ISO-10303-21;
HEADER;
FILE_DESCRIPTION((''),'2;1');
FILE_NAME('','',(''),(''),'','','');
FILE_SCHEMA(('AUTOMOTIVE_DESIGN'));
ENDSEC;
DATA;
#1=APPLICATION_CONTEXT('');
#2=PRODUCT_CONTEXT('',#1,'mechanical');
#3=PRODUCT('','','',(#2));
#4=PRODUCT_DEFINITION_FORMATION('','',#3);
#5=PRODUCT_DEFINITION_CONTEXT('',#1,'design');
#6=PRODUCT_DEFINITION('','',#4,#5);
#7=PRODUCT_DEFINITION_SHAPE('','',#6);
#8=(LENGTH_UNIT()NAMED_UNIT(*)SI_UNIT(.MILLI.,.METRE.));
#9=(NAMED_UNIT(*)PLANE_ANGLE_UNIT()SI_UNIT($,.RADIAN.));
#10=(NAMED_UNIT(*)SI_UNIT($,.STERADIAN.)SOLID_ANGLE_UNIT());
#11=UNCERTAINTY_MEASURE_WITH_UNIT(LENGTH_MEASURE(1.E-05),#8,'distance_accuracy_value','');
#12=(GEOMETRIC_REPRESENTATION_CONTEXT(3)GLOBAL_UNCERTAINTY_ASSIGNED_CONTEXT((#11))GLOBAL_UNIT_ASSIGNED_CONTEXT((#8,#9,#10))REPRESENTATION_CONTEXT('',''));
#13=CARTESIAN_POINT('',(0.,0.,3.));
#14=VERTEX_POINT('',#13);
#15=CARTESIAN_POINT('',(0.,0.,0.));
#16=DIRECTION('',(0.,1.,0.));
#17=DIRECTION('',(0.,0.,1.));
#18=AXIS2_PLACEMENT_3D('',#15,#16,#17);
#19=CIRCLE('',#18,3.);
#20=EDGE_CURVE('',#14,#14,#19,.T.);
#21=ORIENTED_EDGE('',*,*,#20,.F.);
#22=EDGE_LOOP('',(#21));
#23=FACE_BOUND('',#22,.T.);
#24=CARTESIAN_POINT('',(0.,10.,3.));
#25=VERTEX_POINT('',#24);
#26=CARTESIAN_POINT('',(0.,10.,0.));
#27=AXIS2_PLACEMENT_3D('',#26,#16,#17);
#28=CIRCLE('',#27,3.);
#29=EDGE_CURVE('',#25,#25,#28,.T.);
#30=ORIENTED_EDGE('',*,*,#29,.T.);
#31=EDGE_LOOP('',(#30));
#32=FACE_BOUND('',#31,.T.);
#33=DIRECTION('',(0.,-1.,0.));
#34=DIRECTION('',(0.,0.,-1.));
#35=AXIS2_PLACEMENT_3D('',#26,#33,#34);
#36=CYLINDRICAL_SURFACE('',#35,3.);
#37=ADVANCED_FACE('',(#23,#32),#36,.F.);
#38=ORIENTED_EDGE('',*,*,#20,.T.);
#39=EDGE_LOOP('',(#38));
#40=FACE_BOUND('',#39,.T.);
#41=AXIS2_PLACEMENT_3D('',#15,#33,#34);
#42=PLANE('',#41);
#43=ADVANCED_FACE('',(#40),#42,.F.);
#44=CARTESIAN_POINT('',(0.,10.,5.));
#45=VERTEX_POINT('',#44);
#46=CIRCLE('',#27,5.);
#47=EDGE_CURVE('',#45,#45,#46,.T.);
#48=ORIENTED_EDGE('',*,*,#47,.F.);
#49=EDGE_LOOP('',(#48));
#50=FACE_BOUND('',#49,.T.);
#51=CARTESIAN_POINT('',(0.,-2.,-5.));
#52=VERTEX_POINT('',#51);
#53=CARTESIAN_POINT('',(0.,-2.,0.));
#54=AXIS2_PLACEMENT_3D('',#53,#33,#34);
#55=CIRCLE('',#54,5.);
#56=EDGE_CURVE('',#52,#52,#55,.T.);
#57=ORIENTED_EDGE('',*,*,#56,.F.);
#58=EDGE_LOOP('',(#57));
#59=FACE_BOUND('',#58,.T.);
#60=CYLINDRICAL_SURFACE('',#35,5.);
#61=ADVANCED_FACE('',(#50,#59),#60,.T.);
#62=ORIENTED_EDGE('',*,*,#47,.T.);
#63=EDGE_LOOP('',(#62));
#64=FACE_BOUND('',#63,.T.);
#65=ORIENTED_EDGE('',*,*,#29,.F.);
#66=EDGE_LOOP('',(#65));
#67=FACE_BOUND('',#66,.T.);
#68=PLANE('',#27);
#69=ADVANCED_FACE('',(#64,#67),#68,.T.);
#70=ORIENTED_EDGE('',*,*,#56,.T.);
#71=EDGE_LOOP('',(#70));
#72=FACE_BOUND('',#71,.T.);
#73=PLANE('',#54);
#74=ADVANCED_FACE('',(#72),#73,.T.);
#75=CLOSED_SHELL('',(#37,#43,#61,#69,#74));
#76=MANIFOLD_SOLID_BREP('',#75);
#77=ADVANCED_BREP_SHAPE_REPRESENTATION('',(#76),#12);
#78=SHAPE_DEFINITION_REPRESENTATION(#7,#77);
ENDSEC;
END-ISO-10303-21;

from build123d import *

# Parameters (mm, degrees)
SKETCH_4_R      = 5
SKETCH_4_R_2    = 3
EXTRUDE_3_DEPTH = 10
EXTRUDE_START   = 2
SKETCH_5_R      = 5
EXTRUDE_5_DEPTH = 2


with BuildPart() as part:
    # 草图4 → 凸台-拉伸3 (new body)
    with BuildSketch(Plane(origin=(0, 0, 0), x_dir=(1, 0, 0), z_dir=(0, 1, 0))):
        with Locations(Location((0, 0, 0), (0, 0, 270))):
            Circle(SKETCH_4_R)
        with Locations(Location((0, 0, 0), (0, 0, 270))):
            Circle(SKETCH_4_R_2, mode=Mode.SUBTRACT)
    extrude(amount=EXTRUDE_3_DEPTH)

    # 草图5 → 凸台-拉伸5 (add)
    with BuildSketch(Plane.XZ.offset(EXTRUDE_START)):
        with Locations(Location((0, 0, 0), (0, 0, 270))):
            Circle(SKETCH_5_R)
    extrude(amount=-EXTRUDE_5_DEPTH)


solid = part.part
